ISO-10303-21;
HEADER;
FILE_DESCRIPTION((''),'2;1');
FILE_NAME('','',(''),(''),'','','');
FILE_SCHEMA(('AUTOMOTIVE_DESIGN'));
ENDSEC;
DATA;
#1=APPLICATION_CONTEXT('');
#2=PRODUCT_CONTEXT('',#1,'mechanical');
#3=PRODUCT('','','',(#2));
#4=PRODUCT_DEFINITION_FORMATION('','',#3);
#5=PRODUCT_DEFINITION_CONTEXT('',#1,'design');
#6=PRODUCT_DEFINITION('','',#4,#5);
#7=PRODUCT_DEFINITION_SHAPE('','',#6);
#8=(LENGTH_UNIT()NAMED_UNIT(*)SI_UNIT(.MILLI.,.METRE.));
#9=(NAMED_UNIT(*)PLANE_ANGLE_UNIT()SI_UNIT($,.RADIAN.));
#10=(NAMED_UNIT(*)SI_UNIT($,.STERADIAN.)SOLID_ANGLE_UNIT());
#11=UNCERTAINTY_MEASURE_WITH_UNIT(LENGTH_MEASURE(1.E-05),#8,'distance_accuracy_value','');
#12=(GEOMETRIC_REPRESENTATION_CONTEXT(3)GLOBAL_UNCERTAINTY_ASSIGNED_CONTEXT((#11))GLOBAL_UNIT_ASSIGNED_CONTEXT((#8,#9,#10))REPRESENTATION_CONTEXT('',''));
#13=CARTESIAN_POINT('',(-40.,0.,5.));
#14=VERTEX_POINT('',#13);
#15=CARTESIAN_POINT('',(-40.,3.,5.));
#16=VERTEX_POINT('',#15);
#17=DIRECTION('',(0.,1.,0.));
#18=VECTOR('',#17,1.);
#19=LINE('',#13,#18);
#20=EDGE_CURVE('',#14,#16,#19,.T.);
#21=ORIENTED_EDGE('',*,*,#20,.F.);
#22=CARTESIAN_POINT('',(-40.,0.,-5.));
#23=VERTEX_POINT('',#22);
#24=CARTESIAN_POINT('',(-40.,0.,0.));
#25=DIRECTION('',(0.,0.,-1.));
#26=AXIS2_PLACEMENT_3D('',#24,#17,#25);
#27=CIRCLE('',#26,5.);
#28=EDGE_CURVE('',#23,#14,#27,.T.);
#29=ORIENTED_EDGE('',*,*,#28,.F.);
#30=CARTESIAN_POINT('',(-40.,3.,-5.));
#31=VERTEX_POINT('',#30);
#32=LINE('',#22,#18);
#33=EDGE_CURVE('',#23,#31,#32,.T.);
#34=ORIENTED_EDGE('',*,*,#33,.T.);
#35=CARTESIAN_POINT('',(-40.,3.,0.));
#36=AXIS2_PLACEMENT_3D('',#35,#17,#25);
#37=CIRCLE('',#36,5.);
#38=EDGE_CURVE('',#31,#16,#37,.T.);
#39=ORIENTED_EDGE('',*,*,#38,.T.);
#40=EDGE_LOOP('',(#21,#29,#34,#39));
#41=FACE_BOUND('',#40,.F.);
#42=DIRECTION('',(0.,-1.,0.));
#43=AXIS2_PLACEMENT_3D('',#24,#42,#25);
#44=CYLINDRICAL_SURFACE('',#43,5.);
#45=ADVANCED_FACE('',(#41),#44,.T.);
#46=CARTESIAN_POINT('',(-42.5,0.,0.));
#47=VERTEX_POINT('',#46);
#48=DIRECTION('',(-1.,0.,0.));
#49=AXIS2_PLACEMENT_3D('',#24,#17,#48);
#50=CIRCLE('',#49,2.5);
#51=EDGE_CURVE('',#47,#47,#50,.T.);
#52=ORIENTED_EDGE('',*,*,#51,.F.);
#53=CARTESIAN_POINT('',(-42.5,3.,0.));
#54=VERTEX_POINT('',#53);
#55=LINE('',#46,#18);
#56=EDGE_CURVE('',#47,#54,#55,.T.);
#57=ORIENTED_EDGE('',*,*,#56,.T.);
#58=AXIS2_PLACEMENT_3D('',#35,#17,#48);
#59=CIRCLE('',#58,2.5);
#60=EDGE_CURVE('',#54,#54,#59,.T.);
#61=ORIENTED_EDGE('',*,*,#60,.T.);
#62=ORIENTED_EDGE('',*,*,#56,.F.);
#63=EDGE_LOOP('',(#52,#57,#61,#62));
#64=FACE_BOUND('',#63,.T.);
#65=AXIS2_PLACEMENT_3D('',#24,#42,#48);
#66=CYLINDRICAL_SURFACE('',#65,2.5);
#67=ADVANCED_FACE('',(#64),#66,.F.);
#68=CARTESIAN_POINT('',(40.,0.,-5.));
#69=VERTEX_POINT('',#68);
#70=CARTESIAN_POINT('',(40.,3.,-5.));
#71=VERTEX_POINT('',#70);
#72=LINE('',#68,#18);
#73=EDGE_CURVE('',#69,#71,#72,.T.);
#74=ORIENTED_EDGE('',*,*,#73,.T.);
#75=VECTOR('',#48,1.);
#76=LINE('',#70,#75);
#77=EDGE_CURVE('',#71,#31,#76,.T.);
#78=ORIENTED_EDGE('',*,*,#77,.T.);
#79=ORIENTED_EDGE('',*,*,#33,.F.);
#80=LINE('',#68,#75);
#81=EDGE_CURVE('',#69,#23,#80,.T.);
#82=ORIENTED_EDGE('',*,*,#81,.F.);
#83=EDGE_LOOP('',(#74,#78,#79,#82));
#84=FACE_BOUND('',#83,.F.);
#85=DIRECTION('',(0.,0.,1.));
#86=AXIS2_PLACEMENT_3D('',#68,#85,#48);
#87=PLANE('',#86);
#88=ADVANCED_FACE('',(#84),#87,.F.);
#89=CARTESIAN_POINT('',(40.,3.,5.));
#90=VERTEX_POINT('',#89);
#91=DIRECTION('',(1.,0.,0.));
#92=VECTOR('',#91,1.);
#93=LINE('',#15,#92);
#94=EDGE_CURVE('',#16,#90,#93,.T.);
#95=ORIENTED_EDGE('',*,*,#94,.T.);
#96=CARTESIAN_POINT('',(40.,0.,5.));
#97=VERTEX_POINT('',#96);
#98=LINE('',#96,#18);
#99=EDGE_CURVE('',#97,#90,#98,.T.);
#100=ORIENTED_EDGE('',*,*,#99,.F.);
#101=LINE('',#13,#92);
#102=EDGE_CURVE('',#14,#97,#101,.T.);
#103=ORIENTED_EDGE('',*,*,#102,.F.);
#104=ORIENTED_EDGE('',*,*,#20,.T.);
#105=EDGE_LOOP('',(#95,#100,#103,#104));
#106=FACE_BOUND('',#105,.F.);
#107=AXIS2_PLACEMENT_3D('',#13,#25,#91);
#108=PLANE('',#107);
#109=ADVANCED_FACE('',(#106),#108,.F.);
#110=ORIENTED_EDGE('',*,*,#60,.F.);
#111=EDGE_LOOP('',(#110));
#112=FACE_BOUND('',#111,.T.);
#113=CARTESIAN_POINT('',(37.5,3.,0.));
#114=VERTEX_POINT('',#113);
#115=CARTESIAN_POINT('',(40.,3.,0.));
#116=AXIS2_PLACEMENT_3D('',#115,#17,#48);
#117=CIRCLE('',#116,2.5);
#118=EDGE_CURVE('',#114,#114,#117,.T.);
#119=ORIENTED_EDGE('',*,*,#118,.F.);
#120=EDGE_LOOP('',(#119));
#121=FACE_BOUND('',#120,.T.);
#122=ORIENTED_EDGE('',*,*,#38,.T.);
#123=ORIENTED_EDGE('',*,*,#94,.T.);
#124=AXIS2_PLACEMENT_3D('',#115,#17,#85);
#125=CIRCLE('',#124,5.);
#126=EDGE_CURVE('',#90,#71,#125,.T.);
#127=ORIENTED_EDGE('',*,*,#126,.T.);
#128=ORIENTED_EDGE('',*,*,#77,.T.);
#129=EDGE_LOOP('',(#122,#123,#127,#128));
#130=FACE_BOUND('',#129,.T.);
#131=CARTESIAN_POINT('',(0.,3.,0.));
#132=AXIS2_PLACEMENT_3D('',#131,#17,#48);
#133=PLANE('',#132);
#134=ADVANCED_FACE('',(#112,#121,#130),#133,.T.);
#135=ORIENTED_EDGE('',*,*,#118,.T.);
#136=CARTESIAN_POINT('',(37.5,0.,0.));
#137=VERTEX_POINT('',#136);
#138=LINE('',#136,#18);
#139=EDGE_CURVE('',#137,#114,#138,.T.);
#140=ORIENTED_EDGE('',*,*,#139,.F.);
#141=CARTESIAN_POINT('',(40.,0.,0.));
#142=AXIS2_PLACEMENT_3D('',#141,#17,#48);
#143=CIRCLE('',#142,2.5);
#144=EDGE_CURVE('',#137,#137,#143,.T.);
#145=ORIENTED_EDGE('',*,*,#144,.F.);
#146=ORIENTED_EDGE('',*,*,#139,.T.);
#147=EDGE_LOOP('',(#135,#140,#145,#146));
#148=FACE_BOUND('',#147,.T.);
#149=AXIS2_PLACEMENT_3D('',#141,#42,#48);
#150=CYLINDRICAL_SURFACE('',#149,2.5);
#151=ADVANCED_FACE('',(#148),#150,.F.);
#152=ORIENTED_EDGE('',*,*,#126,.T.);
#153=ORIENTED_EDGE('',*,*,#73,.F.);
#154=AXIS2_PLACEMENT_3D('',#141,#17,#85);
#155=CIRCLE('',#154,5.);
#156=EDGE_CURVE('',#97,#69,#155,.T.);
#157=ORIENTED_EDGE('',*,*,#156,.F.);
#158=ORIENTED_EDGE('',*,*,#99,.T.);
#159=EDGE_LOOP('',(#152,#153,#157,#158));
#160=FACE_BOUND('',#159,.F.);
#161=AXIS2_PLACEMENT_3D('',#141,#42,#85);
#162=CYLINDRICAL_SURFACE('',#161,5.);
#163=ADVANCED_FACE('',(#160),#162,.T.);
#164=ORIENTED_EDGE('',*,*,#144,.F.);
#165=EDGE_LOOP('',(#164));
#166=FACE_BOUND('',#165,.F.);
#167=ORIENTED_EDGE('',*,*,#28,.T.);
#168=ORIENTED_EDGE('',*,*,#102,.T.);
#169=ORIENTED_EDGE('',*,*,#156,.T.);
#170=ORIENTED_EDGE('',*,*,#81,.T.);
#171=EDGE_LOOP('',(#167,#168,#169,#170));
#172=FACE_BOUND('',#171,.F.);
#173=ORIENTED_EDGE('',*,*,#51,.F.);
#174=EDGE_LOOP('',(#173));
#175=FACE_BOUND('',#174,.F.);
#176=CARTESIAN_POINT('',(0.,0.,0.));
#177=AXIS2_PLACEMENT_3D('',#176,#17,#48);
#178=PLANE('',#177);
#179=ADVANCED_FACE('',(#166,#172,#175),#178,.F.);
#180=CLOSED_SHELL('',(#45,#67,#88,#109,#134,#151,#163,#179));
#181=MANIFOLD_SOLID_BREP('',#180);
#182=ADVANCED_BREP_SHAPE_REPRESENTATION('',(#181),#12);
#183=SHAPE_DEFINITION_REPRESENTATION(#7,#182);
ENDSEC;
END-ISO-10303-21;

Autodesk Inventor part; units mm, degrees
ref_plane "YZ Plane" through (0, 0, 0) normal (1, 0, 0) x (0, 1, 0)
ref_plane "XZ Plane" through (0, 0, 0) normal (0, 1, 0) x (-1, 0, 0)
ref_plane "XY Plane" through (0, 0, 0) normal (0, 0, 1) x (1, 0, 0)
sketch "Sketch1" plane through (0, 0, 0) normal (0, 1, 0) x (-1, 0, 0)
  line L0 (40, 0) -> (-40, 0) construction
  line L1 (40, 5) -> (-40, 5)
  line L2 (-40, -5) -> (40, -5)
  arc A0 (40, -5) -> (40, 5) centre (40, 0) ccw
  arc A1 (-40, 5) -> (-40, -5) centre (-40, 0) ccw
  circle A2 centre (40, 0) radius 2.5
  circle A3 centre (-40, 0) radius 2.5
  point P0 (0, 0)
  dimension "d0" = 40
  dimension "d2" = 5
  dimension "d3" = 5
extrude "Extrusion1" add sketch "Sketch1" along normal blind 3
properties part number "Claw Arm"
